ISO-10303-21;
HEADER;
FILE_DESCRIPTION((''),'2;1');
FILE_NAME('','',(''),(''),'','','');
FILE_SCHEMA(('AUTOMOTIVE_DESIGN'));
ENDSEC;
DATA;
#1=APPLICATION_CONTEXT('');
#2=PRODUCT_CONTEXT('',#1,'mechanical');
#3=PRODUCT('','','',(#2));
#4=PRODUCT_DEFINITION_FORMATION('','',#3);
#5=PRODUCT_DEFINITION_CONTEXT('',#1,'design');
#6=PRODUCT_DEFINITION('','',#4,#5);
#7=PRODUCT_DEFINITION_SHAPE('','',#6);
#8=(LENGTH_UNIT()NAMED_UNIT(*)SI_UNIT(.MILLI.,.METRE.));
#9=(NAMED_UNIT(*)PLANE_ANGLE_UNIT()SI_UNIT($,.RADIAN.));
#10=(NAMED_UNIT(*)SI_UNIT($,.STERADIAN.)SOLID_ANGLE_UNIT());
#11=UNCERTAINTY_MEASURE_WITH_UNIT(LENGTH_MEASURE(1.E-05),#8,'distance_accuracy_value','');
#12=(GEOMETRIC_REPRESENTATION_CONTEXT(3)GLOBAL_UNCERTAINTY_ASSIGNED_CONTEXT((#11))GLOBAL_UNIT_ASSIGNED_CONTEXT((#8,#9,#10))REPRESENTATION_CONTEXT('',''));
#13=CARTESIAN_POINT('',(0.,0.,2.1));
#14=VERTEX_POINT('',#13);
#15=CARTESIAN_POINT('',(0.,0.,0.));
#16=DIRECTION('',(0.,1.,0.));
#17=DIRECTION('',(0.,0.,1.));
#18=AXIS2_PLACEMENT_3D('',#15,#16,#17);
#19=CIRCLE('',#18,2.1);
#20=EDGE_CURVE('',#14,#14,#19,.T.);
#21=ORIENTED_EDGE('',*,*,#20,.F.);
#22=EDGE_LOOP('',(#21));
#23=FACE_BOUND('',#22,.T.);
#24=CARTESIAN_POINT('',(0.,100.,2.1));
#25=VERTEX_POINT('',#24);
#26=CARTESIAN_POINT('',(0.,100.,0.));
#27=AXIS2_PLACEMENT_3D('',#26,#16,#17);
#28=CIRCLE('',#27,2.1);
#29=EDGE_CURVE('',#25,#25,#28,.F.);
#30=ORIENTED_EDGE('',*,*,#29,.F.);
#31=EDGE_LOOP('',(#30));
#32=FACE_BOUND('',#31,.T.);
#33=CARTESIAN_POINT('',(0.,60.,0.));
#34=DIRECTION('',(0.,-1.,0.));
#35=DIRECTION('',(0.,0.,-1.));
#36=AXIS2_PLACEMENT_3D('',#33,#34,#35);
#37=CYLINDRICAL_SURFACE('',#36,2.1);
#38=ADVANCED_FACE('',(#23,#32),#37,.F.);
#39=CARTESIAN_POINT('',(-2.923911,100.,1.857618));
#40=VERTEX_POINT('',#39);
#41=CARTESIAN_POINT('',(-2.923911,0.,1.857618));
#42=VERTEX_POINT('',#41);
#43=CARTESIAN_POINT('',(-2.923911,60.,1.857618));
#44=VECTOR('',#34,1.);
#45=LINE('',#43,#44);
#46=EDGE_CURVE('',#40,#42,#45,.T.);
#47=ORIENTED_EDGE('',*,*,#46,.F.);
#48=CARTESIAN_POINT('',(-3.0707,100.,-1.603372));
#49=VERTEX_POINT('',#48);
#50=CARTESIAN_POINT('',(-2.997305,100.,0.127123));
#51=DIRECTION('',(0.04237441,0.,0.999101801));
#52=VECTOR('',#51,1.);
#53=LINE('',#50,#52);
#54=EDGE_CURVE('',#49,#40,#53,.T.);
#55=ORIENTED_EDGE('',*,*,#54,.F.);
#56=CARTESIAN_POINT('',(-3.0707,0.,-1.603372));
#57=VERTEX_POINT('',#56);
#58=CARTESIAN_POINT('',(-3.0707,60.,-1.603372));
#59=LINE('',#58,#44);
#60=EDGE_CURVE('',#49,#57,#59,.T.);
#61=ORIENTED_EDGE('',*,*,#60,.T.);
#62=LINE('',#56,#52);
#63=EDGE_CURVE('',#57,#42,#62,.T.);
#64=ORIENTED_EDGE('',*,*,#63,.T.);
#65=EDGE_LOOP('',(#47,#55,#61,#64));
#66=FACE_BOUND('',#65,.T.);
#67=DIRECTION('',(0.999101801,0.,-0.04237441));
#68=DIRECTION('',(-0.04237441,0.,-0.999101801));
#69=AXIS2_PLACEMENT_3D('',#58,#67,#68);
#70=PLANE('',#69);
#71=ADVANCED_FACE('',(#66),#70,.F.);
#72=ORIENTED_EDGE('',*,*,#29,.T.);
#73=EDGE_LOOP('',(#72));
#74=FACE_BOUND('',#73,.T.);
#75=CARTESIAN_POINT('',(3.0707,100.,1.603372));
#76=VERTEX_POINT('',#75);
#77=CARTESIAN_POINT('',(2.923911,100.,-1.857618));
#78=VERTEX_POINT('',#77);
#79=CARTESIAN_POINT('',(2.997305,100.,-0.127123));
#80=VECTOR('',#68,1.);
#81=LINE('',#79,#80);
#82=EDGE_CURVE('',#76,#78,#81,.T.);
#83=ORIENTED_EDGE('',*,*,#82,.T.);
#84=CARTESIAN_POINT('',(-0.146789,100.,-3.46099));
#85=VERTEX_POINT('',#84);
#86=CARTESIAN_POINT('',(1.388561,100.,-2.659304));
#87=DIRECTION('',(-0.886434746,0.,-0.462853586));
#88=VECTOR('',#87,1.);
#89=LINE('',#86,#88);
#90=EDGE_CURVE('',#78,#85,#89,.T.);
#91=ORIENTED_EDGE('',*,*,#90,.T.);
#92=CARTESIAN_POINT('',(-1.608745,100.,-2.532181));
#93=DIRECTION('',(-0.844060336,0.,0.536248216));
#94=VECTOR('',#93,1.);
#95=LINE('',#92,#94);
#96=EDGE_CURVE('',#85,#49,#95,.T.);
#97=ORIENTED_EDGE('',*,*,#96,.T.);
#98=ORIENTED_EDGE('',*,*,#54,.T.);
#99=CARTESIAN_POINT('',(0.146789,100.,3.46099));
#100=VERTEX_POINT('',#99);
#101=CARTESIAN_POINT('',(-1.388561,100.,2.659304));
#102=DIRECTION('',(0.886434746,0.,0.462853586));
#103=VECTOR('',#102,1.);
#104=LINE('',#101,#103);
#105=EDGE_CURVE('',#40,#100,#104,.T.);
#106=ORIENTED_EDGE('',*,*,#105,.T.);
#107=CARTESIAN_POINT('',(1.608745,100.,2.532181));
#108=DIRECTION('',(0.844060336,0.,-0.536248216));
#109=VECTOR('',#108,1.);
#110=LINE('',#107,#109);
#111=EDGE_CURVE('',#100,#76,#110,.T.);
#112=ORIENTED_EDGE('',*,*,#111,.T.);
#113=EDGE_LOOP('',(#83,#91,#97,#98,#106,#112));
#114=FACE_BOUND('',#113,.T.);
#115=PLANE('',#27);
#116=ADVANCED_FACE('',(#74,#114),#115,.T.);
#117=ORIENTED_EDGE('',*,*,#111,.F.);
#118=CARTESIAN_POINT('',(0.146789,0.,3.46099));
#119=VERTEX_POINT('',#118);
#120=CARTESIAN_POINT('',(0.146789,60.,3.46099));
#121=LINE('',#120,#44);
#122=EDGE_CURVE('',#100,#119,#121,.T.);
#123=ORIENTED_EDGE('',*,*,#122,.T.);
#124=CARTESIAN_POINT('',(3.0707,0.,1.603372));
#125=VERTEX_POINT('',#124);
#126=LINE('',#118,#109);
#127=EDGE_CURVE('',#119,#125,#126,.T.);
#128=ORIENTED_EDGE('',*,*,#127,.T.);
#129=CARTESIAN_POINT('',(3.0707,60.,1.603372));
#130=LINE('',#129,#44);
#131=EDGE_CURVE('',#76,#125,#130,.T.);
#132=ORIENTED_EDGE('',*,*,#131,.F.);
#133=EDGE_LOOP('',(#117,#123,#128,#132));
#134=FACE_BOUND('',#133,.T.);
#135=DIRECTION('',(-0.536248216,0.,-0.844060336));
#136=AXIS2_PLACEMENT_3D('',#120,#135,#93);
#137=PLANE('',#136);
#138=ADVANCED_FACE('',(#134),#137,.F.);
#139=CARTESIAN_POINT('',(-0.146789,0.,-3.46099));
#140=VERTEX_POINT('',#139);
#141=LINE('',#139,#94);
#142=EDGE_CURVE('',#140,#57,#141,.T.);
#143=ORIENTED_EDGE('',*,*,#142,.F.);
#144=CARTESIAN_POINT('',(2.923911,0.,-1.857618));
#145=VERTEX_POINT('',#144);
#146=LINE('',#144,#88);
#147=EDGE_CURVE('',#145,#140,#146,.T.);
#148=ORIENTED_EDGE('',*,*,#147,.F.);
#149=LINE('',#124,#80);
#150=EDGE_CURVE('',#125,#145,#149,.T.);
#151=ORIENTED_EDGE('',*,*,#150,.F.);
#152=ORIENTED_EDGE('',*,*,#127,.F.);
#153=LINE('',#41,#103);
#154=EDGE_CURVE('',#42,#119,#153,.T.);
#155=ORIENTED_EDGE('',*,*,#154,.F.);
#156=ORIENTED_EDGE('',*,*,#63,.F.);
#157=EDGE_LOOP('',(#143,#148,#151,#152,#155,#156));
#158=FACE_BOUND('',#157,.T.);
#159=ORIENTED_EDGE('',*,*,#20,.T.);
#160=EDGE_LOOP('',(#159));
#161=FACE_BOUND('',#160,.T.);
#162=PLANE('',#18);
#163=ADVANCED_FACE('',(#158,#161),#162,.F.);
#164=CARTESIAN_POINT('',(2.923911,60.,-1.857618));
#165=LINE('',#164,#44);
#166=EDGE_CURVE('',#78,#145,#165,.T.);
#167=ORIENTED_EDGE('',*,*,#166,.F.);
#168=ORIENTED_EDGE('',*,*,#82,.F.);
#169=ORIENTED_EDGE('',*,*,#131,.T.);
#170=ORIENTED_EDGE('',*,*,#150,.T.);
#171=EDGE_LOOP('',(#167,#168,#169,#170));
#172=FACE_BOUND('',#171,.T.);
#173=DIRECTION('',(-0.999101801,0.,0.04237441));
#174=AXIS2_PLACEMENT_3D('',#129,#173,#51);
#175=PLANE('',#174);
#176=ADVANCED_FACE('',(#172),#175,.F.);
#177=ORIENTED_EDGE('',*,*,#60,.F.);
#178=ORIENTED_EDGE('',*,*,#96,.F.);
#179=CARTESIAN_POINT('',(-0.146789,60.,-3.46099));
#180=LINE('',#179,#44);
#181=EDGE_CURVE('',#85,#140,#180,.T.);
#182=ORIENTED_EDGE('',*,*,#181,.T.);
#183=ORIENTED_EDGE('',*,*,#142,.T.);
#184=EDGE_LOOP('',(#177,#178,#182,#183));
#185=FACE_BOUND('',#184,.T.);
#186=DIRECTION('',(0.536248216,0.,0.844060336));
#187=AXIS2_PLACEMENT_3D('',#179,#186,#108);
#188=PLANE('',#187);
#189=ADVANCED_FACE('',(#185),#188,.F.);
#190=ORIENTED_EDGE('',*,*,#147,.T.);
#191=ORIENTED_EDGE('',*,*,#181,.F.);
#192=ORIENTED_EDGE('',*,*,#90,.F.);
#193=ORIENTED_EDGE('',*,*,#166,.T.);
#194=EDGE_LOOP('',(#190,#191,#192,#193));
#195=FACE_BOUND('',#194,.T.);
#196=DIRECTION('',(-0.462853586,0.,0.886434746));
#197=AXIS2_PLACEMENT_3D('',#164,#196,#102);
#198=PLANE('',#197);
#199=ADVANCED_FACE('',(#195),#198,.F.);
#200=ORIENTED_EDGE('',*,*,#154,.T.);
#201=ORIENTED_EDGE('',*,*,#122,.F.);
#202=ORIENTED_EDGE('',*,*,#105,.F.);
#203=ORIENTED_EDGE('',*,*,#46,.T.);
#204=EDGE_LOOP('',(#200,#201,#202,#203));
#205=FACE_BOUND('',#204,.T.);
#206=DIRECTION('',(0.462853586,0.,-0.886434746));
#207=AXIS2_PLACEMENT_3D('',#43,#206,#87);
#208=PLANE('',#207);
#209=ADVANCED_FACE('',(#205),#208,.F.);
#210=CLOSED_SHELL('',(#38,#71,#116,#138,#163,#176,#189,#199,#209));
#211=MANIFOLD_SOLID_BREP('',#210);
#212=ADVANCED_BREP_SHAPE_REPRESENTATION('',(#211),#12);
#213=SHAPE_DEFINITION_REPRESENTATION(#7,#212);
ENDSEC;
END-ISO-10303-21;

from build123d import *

# Parameters (mm, degrees)
SKETCH_1_R      = 2.1
EXTRUDE_1_DEPTH = 60
SKETCH_2_R      = 2.1
EXTRUDE_2_DEPTH = 40


with BuildPart() as part:
    # 草图1 → 凸台-拉伸1 (new body)
    with BuildSketch(Plane(origin=(0, 0, 0), x_dir=(1, 0, 0), z_dir=(0, 1, 0))):
        Polygon((3.070700034, -1.603371853), (2.923910774, 1.85761831), (-0.14678926, 3.460990164), (-3.070700034, 1.603371853), (-2.923910774, -1.85761831), (0.14678926, -3.460990164), align=None)
        with Locations(Location((0, 0, 0), (0, 0, 270))):
            Circle(SKETCH_1_R, mode=Mode.SUBTRACT)
    extrude(amount=EXTRUDE_1_DEPTH)

    # 草图2 → 凸台-拉伸2 (add)
    with BuildSketch(Plane(origin=(0, 60, 0), x_dir=(1, 0, 0), z_dir=(0, 1, 0))):
        Polygon((-2.923910774, -1.85761831), (0.14678926, -3.460990164), (3.070700034, -1.603371853), (2.923910774, 1.85761831), (-0.14678926, 3.460990164), (-3.070700034, 1.603371853), align=None)
        with Locations(Location((0, 0, 0), (0, 0, 270))):
            Circle(SKETCH_2_R, mode=Mode.SUBTRACT)
    extrude(amount=EXTRUDE_2_DEPTH)


solid = part.part
